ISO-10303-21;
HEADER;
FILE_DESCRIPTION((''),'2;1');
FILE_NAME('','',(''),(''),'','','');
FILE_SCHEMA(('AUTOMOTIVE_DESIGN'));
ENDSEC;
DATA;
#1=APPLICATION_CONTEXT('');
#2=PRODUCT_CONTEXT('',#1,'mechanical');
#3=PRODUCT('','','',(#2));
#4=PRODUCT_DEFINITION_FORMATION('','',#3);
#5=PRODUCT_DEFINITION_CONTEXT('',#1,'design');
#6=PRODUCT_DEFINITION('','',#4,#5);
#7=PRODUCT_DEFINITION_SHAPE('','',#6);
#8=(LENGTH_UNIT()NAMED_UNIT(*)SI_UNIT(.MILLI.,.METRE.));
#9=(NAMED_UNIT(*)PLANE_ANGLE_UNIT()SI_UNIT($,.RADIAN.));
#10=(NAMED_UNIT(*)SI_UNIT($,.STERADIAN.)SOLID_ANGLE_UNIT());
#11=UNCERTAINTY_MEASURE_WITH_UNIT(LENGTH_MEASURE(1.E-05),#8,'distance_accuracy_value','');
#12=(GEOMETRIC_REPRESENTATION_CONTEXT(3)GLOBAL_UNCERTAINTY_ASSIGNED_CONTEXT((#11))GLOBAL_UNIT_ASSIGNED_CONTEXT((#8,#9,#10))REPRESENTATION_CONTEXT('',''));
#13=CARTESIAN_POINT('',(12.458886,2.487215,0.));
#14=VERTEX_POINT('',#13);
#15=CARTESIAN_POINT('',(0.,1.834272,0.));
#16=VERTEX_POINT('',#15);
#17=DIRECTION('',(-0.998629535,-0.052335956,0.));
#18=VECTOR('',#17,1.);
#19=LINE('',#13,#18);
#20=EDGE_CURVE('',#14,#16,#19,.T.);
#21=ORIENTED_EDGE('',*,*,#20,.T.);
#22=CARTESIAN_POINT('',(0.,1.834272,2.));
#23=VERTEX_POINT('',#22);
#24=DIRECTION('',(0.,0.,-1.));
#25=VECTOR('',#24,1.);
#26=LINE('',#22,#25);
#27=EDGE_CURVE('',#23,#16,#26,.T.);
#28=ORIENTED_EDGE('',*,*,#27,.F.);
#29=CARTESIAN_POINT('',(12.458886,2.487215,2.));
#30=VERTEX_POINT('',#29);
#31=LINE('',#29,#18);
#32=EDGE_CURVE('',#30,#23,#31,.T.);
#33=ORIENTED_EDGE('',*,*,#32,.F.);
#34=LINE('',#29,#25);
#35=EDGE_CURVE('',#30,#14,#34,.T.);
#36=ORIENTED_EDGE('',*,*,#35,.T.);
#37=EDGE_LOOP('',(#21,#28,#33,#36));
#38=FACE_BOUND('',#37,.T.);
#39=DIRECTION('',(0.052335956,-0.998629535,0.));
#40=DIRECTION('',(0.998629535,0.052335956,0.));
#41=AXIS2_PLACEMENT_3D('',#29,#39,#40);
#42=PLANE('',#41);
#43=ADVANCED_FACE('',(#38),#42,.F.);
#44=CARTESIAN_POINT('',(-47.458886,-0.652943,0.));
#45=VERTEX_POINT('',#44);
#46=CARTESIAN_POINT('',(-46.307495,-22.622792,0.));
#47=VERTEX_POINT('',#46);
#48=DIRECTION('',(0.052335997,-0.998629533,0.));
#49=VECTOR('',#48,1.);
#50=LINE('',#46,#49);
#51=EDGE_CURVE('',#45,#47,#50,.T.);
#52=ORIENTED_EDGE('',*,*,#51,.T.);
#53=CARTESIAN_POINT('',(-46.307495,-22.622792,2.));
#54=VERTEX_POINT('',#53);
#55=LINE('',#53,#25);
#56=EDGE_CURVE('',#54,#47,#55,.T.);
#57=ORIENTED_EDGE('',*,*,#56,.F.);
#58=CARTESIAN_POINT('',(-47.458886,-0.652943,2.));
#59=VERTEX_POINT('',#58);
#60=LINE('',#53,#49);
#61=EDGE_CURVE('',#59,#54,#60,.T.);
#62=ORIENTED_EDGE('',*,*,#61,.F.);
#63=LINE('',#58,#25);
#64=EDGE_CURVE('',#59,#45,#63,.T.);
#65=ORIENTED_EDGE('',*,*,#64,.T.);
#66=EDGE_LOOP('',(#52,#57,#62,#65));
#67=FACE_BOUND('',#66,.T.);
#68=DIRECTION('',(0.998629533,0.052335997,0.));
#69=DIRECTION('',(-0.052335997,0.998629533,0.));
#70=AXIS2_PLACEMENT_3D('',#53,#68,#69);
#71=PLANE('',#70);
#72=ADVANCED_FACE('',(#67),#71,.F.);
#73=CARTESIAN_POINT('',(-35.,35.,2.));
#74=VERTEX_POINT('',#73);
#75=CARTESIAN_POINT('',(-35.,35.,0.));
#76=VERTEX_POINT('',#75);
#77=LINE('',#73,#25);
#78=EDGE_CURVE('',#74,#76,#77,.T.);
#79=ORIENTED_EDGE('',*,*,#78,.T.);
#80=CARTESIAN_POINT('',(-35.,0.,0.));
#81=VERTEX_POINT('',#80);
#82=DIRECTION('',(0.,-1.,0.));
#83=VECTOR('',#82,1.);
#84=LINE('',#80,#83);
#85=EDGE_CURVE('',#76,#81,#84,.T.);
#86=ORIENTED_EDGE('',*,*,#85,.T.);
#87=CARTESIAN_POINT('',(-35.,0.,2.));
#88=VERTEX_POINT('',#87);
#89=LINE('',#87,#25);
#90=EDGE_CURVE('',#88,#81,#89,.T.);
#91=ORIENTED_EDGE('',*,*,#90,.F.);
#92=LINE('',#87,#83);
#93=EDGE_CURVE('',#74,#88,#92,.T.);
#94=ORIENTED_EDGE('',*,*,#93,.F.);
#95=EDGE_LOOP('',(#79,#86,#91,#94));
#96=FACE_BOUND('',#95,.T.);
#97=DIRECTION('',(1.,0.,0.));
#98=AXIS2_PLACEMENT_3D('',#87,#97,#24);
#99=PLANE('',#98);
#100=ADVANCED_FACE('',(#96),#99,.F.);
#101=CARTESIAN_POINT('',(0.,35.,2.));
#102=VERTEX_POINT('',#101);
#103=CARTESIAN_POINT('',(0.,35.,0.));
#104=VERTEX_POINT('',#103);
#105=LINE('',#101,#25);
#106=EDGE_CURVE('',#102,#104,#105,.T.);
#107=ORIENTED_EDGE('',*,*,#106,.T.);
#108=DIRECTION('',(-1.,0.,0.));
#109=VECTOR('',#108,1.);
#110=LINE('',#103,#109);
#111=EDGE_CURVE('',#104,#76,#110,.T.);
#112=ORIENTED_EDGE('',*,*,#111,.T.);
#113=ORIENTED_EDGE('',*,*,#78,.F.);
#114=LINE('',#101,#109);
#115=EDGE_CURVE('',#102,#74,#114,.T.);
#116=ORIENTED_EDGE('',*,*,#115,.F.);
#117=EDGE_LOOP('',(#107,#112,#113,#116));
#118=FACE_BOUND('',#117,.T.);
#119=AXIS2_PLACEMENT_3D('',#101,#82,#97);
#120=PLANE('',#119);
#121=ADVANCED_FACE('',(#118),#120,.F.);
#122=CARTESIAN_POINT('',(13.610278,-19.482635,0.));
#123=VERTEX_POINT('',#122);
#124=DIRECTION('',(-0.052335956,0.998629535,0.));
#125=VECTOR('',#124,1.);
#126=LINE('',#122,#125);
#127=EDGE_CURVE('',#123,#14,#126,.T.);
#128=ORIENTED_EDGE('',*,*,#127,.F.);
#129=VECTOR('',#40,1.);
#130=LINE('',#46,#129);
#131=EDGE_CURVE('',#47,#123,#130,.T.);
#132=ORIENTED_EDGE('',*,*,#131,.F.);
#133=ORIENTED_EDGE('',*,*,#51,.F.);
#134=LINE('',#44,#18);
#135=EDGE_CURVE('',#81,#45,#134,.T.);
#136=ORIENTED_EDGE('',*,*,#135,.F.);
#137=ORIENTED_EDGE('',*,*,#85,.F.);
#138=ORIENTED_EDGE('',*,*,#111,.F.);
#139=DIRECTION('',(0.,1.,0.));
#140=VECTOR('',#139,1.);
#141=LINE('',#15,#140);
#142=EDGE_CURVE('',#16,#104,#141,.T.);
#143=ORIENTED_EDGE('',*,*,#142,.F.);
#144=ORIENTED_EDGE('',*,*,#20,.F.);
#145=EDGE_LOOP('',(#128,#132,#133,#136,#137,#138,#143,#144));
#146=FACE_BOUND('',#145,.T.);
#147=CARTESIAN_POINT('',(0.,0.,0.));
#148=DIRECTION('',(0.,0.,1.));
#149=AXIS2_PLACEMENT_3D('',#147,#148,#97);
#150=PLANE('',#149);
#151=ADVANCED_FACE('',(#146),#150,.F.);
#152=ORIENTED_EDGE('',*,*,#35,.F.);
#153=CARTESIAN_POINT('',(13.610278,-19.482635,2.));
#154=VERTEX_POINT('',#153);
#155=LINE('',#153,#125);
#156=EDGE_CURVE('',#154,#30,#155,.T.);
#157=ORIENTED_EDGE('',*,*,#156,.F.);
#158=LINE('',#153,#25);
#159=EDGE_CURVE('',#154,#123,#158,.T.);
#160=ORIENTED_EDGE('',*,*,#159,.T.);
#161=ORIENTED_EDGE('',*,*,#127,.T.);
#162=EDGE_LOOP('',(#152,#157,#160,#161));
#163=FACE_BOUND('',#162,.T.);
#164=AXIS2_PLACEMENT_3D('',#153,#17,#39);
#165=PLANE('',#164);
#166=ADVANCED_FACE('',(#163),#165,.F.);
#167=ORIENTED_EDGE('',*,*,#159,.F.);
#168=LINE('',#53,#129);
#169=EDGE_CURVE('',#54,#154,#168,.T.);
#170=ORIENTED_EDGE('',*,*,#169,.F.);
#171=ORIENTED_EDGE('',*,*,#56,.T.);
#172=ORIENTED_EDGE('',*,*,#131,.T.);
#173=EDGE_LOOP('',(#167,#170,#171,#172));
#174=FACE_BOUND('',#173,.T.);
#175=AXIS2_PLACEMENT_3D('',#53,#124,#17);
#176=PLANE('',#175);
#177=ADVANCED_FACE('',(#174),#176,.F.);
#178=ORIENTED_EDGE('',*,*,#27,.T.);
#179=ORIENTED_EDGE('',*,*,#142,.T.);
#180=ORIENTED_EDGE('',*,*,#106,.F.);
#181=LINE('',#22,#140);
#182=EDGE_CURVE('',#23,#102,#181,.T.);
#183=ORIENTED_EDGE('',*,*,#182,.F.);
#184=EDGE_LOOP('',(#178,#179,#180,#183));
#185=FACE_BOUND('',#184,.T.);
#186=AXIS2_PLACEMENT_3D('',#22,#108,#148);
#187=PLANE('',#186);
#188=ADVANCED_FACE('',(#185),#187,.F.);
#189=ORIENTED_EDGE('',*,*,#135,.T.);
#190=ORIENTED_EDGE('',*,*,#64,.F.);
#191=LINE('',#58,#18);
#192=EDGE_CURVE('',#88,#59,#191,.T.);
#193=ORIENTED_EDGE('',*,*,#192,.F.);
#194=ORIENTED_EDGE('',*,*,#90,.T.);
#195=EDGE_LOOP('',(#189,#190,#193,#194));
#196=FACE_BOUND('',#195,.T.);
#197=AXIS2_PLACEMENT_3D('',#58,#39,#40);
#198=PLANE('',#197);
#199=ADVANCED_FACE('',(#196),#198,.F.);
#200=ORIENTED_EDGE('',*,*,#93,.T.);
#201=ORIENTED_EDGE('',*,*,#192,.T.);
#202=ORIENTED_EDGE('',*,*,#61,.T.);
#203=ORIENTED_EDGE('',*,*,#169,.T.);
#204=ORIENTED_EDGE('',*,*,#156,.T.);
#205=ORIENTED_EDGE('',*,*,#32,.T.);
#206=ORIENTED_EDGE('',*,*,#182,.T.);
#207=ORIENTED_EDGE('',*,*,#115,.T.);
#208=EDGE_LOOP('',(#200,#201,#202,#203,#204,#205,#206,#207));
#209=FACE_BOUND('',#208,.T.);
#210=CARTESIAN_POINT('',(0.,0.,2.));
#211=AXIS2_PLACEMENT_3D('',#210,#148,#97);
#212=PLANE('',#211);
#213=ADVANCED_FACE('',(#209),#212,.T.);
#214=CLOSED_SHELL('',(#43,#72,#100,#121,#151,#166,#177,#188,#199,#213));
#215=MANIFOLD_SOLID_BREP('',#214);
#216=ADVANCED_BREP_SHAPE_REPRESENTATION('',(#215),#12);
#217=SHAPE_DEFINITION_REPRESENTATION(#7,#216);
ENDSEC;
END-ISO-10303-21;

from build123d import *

# Parameters (mm, degrees)
EXTRUDE_1_DEPTH = 2


with BuildPart() as part:
    # 草图1 → 凸台-拉伸1 (new body)
    with BuildSketch(Plane.XY):
        Polygon((0, 1.834272275), (0, 35), (-35, 35), (-35, 0), (-47.458886487, -0.652942573), (-46.307494561, -22.622792291), (13.610277524, -19.482634917), (12.458886487, 2.487214848), align=None)
    extrude(amount=EXTRUDE_1_DEPTH)


solid = part.part
